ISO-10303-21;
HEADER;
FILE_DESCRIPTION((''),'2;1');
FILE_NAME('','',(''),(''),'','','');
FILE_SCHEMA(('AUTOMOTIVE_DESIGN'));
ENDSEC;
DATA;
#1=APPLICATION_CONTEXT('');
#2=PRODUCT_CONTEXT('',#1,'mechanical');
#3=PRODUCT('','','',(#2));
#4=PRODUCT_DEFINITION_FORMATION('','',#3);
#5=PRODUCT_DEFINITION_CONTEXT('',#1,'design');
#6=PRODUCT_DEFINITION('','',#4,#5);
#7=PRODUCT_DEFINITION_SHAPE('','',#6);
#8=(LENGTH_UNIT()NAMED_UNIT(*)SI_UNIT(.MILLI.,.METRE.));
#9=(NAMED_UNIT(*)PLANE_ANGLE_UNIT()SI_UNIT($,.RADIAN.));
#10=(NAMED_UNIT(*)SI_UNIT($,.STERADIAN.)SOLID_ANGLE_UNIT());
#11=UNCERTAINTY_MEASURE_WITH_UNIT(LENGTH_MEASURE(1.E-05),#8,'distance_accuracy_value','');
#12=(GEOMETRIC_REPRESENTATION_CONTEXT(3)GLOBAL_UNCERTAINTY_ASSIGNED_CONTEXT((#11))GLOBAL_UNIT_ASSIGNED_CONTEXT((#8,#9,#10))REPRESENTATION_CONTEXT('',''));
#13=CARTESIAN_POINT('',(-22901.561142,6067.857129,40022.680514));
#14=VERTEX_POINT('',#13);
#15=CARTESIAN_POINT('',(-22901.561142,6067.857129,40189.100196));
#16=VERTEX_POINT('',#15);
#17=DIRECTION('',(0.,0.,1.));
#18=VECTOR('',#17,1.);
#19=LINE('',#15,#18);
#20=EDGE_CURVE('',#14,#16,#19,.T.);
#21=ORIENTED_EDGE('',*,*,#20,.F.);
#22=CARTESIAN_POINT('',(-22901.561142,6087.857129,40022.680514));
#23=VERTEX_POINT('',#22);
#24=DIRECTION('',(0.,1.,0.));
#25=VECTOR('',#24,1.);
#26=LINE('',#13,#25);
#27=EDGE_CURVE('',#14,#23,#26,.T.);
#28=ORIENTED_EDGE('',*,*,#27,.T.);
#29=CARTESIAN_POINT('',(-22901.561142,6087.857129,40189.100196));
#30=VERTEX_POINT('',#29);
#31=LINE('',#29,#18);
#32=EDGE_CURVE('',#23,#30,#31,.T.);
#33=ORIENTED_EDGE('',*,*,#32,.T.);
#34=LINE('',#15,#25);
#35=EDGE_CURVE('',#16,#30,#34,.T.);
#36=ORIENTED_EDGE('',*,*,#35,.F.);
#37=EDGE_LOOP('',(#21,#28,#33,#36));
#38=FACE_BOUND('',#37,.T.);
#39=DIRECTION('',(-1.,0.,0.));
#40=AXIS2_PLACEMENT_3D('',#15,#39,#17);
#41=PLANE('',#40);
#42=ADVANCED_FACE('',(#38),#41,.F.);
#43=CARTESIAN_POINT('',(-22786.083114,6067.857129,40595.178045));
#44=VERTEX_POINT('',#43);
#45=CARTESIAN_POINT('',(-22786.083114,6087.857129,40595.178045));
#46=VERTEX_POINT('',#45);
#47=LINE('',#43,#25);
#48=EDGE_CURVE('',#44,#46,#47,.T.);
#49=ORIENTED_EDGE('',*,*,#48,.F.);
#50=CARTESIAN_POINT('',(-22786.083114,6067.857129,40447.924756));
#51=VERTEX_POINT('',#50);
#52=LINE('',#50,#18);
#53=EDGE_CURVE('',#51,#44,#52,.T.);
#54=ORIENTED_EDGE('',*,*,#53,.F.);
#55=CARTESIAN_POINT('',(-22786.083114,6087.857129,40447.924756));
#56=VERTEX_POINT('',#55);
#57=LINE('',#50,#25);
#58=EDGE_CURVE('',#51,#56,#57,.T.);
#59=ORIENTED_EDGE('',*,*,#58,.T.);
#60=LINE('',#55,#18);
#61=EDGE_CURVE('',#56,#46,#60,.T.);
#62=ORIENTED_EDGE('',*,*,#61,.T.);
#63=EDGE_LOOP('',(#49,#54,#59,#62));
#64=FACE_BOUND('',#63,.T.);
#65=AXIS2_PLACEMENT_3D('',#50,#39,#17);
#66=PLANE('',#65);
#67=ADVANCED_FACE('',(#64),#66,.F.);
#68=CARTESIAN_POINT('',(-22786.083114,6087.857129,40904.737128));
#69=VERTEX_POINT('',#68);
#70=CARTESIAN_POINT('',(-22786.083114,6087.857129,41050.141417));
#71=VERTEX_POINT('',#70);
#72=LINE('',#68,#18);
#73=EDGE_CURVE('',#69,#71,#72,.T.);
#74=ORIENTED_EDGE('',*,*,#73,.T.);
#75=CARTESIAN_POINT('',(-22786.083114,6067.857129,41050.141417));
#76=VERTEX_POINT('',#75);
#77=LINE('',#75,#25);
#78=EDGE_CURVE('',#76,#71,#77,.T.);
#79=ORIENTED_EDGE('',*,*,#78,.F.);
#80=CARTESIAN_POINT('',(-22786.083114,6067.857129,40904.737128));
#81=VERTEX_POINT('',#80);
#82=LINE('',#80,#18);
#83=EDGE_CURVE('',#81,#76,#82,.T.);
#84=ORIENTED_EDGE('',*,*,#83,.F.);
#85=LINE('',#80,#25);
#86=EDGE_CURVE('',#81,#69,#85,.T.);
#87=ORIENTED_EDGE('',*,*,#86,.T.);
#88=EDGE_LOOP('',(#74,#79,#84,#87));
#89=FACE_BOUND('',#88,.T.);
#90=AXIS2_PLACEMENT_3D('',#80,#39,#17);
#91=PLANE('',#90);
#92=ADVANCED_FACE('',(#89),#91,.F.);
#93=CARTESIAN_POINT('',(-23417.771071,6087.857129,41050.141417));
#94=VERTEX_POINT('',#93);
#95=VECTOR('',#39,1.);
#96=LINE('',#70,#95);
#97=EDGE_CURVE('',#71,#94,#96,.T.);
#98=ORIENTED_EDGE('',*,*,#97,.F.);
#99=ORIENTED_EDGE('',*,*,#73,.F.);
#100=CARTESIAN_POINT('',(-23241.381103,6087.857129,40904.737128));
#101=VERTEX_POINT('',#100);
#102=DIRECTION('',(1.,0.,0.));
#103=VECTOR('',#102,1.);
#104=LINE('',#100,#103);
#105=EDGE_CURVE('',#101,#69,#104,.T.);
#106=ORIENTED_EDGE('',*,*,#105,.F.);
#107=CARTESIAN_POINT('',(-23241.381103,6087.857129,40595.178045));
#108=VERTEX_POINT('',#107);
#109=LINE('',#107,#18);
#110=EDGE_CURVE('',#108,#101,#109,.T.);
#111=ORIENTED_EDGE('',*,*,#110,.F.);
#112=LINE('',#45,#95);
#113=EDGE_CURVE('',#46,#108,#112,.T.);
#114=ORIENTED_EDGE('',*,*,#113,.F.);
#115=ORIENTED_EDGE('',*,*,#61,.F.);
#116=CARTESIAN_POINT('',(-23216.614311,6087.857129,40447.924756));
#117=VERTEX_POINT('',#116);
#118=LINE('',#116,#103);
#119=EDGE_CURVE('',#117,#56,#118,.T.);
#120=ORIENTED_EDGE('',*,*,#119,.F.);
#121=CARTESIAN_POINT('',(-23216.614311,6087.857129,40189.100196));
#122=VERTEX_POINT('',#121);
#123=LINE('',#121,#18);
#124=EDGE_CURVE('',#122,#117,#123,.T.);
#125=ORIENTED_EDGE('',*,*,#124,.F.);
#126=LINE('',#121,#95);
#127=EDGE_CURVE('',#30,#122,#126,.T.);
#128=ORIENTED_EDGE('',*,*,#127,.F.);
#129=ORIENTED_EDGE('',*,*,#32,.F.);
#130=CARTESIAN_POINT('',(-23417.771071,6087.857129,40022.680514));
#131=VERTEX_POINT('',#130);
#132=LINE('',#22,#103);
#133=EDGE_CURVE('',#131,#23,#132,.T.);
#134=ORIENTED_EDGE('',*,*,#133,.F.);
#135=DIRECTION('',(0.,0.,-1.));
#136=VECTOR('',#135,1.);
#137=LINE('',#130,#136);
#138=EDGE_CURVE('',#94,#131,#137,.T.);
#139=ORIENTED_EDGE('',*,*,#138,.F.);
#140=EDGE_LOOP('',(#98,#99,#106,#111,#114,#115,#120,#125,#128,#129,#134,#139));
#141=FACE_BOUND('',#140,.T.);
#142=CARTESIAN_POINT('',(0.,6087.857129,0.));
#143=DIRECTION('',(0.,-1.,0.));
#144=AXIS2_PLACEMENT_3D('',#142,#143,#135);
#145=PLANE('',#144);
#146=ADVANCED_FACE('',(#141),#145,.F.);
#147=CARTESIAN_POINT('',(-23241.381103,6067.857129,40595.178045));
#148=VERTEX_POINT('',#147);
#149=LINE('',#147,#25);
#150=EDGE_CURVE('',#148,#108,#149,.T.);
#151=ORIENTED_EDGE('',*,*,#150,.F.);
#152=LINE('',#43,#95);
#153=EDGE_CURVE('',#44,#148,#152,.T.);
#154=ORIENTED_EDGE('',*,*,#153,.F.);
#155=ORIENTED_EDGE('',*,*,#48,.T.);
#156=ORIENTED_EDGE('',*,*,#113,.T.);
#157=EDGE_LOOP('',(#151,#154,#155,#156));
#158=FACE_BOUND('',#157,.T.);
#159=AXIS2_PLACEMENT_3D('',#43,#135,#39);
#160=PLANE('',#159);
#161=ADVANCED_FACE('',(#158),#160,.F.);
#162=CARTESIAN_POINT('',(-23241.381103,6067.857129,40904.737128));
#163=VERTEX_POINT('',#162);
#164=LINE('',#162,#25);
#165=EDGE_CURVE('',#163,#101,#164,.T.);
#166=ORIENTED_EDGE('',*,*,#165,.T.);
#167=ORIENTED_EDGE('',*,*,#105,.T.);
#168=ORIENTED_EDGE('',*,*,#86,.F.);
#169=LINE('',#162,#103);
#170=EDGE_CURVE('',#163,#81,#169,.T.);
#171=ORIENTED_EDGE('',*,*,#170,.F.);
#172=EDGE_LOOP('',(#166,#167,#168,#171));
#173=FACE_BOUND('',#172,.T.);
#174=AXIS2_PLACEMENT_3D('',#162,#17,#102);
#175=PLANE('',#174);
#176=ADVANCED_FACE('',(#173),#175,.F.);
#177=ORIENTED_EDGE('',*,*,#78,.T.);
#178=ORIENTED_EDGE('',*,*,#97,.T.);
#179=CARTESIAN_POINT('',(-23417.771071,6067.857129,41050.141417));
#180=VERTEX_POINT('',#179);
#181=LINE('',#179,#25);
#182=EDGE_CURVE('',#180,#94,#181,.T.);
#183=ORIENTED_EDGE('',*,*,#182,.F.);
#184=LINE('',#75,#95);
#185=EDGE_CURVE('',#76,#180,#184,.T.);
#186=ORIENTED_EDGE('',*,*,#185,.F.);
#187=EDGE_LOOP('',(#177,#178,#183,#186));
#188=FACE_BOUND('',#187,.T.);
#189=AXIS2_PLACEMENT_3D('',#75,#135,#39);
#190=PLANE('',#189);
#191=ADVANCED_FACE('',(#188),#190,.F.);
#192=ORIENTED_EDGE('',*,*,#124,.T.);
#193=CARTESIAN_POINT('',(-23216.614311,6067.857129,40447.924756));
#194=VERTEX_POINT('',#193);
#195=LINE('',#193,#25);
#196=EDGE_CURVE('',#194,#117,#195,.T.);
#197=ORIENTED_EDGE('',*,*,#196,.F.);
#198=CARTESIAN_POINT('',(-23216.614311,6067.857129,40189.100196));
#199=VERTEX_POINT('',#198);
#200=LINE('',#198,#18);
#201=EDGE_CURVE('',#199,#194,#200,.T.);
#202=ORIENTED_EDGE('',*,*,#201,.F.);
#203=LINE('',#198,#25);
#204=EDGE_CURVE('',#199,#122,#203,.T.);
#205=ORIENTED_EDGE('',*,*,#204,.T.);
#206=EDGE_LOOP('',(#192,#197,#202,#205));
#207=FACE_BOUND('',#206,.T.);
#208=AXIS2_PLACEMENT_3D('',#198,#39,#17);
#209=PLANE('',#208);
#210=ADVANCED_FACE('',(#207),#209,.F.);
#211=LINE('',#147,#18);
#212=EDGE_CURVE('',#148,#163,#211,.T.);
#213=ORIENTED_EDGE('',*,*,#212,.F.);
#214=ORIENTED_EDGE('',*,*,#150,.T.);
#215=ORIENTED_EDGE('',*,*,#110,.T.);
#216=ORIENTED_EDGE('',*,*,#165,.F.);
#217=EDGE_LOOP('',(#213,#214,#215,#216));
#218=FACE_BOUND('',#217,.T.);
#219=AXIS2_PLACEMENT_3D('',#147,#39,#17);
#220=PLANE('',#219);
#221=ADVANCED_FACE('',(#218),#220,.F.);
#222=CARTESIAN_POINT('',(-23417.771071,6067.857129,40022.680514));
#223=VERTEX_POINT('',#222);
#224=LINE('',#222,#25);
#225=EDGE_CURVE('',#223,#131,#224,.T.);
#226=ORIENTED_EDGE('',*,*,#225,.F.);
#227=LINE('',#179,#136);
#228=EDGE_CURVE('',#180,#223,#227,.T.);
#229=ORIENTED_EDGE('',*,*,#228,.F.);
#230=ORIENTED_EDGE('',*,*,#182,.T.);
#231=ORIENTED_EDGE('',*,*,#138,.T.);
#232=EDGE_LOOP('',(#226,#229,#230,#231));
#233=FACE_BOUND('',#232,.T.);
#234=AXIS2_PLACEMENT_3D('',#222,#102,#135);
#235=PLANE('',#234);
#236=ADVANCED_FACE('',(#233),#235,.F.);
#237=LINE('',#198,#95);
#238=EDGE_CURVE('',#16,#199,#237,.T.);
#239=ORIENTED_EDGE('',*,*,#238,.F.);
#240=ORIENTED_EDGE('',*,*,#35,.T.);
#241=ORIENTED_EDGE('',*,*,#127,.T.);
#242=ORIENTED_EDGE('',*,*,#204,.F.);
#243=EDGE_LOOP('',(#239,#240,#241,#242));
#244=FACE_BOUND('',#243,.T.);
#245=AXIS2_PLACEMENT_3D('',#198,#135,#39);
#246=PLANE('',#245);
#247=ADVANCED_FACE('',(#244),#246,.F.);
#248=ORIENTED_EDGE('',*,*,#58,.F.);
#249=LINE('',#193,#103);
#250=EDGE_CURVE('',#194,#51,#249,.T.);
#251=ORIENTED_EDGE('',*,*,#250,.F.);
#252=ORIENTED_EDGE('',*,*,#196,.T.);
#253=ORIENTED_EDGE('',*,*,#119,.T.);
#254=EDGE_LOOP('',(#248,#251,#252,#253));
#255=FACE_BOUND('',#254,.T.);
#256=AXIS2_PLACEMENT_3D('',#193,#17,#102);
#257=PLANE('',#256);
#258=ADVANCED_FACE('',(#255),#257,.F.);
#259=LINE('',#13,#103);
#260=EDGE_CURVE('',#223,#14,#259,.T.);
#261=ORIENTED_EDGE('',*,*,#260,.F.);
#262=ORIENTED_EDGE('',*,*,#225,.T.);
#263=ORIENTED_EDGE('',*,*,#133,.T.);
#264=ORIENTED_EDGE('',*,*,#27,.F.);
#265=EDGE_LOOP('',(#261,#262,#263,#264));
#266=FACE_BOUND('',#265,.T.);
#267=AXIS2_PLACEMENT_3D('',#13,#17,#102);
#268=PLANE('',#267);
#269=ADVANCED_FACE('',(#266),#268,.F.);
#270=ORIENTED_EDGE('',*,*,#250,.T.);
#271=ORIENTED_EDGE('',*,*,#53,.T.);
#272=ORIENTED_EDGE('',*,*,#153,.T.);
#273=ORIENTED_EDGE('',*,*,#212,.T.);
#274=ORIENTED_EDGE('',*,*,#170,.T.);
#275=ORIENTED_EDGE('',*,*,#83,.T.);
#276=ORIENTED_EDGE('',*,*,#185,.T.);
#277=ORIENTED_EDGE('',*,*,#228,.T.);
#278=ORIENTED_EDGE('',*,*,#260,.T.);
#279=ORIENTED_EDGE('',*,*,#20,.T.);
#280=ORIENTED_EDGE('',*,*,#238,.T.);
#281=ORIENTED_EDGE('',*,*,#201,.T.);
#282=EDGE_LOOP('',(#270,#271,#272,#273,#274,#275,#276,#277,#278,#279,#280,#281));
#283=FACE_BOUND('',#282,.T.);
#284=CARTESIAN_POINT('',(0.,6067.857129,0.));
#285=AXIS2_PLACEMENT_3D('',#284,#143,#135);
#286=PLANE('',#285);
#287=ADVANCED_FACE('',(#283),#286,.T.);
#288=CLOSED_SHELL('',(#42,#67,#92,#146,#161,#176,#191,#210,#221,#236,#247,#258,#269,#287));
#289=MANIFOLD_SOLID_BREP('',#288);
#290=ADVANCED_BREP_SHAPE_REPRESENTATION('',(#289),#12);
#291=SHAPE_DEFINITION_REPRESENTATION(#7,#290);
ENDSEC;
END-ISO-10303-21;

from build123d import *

# Parameters (mm, degrees)
BOSS_EXTRUDE1_START = 500
BOSS_EXTRUDE1_DEPTH = 20


with BuildPart() as part:
    # Sketch2 → Boss-Extrude1 (new body)
    with BuildSketch(Plane.XZ.offset(-6587.857128547).offset(BOSS_EXTRUDE1_START)):
        Polygon((-23417.771071287, 41050.141416955), (-23417.771071287, 40189.100196056), (-23417.771071287, 40022.680514279), (-22901.561141737, 40022.680514279), (-22901.561141737, 40189.100196056), (-23216.614310756, 40189.100196056), (-23216.614310756, 40447.924756229), (-22786.083114137, 40447.924756229), (-22786.083114137, 40595.178045331), (-23241.381102723, 40595.178045331), (-23241.381102723, 40904.737128326), (-22786.083114137, 40904.737128326), (-22786.083114137, 41050.141416955), align=None)
    extrude(amount=BOSS_EXTRUDE1_DEPTH)


solid = part.part
